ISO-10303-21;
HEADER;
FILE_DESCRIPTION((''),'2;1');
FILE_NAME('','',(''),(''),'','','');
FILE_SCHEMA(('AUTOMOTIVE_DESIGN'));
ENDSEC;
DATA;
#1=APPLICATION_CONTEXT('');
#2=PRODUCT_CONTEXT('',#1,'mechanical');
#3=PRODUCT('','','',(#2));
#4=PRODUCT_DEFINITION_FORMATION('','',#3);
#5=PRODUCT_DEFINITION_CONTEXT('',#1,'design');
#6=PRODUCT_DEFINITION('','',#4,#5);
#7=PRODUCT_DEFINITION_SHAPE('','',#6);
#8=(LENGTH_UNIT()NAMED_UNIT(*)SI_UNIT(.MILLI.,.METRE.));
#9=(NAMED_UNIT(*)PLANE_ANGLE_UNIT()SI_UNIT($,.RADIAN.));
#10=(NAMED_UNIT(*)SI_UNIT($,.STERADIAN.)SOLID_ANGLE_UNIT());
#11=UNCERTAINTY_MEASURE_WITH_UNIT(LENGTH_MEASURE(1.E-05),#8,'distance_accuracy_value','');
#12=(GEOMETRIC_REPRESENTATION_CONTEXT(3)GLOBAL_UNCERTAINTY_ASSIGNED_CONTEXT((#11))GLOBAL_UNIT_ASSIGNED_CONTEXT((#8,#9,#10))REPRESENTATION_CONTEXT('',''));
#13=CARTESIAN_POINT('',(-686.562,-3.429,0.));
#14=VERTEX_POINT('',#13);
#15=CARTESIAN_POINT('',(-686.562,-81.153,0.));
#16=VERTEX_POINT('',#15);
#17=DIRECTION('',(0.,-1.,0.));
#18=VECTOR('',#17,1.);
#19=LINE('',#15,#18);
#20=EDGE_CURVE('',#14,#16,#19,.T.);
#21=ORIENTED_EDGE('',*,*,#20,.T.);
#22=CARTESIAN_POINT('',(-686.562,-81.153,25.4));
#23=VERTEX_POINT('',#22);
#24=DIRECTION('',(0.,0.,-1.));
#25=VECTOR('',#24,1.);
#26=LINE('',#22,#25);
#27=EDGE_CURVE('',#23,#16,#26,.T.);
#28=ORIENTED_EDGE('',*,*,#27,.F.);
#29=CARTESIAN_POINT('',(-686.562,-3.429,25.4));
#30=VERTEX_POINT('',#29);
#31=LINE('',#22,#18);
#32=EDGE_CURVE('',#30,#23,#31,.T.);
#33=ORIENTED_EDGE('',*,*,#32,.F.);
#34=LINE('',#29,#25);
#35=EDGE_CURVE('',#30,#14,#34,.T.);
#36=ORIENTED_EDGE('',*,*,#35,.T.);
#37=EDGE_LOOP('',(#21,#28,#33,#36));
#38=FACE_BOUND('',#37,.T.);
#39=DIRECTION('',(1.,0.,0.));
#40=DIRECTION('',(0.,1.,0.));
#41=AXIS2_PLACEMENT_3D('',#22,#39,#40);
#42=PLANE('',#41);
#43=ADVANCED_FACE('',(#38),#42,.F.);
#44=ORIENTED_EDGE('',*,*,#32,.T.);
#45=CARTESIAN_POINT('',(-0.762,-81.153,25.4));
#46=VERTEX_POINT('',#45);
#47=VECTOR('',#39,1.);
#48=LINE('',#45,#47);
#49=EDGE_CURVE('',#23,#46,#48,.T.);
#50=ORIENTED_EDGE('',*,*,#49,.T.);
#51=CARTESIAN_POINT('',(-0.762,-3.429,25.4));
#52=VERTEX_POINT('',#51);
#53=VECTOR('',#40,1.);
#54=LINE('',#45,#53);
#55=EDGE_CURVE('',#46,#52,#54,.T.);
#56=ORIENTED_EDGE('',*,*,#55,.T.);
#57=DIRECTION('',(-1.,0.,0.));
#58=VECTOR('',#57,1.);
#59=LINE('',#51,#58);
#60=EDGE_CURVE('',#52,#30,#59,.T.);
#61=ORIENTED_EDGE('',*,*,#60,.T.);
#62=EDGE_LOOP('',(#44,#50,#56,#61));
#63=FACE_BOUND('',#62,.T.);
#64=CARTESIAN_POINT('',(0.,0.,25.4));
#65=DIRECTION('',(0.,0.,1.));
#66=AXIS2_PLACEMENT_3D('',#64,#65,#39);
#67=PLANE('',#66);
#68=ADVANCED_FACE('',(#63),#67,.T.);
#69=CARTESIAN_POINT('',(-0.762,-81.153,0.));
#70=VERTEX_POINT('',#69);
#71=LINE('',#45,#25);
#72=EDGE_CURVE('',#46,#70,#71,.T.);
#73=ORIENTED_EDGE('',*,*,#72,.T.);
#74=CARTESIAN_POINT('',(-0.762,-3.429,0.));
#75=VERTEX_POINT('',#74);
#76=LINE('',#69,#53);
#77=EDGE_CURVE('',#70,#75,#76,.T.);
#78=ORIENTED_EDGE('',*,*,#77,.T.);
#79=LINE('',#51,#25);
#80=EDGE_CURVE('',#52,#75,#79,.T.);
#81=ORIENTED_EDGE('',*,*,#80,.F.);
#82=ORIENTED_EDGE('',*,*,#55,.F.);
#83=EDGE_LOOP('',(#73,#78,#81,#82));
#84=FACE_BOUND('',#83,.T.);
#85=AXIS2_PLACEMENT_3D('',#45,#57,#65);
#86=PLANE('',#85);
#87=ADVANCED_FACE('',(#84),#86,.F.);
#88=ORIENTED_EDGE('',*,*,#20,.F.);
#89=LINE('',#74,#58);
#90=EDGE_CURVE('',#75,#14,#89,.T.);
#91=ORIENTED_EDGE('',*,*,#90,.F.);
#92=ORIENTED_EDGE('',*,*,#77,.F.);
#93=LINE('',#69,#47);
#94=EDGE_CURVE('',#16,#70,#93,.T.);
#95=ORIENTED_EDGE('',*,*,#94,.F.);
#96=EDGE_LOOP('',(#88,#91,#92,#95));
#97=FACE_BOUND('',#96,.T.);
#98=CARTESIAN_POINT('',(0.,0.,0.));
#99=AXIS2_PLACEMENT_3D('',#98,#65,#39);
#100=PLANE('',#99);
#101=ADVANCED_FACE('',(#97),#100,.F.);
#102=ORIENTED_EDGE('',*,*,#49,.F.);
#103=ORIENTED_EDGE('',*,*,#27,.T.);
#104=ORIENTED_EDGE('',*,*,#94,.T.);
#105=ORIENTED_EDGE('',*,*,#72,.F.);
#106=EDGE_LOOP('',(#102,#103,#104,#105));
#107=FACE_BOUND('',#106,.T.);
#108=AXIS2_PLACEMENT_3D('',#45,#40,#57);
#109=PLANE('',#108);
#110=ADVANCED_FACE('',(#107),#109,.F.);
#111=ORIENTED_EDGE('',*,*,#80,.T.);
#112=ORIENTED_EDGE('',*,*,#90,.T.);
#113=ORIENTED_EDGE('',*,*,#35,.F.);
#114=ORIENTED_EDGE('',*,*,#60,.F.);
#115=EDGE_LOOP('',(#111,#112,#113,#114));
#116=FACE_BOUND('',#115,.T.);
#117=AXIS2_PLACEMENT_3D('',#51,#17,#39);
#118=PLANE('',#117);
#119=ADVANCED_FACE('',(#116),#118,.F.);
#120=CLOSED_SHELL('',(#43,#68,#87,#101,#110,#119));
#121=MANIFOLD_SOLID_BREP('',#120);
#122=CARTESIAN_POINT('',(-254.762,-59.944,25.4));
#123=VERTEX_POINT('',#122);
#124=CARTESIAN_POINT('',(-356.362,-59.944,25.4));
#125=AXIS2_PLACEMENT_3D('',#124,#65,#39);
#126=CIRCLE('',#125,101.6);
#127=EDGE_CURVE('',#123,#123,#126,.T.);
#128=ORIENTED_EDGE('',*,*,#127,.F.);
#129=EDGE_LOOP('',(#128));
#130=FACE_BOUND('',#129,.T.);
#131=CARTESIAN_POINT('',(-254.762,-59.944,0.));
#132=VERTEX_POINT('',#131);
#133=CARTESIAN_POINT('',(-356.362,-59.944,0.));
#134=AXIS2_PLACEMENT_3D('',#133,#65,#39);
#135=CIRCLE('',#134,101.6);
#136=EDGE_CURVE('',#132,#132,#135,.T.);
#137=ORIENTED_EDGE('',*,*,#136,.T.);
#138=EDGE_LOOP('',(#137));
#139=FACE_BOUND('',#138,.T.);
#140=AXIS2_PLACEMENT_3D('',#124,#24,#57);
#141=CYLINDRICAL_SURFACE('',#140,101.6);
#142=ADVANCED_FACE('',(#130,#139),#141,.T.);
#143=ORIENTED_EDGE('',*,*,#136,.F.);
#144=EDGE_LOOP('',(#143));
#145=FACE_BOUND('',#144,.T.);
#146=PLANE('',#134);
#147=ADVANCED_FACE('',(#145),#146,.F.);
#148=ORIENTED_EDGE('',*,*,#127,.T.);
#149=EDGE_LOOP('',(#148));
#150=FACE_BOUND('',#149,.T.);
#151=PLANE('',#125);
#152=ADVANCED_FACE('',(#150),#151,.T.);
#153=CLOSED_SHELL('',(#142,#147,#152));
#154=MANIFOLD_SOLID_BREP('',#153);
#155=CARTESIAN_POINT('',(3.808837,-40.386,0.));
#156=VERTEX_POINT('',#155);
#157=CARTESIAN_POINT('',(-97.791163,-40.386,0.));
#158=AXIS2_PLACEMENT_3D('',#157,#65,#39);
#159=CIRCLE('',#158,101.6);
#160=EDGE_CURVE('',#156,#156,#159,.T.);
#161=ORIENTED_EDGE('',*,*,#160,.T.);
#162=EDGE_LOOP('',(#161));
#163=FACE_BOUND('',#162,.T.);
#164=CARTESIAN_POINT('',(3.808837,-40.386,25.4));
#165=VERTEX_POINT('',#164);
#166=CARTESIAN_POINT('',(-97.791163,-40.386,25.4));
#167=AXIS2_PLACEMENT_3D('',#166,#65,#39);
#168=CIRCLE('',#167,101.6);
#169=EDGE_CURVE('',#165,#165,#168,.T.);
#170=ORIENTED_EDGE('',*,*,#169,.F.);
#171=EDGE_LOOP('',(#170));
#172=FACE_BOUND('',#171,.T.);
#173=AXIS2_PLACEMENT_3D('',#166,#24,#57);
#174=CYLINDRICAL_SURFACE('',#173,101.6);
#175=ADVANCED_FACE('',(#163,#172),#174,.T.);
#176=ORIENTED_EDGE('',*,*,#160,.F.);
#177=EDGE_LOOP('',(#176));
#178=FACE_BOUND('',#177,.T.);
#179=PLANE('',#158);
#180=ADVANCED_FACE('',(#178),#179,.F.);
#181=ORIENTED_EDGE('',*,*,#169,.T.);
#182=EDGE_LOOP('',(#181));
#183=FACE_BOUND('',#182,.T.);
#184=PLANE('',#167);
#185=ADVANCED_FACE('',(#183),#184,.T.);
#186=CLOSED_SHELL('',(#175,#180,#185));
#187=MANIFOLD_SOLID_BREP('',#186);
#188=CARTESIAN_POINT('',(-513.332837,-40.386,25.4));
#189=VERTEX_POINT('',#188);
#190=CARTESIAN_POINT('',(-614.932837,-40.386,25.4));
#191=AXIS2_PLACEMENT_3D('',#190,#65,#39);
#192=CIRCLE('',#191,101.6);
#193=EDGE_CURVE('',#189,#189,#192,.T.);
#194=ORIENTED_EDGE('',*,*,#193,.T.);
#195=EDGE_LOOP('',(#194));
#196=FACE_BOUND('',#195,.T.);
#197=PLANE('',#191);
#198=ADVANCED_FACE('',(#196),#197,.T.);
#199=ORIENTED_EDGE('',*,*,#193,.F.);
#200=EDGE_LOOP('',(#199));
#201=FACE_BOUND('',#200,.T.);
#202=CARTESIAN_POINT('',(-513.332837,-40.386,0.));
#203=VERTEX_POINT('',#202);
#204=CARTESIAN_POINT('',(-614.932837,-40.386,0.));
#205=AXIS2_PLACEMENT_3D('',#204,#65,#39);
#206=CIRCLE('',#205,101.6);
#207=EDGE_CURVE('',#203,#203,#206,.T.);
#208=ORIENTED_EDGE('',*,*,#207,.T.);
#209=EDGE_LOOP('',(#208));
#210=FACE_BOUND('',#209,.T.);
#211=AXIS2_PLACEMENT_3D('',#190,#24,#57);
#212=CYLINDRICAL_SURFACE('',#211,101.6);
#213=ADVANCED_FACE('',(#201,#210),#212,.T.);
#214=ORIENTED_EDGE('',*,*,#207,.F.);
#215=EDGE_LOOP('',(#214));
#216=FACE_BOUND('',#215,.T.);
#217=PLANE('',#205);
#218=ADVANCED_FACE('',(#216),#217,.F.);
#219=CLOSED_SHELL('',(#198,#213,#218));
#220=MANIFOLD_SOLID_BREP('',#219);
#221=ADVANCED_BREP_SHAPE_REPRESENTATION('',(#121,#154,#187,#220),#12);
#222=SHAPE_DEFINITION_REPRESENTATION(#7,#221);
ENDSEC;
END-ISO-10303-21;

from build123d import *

# Parameters (mm, degrees)
SKETCH4_R             = 101.6
BOSS_EXTRUDE1_DEPTH   = 25.4
BOSS_EXTRUDE1_2_DEPTH = 25.4
BOSS_EXTRUDE1_3_DEPTH = 25.4
SKETCH5_W             = 685.8
SKETCH5_H             = 77.724
BOSS_EXTRUDE2_DEPTH   = 25.4


with BuildPart() as part:
    # Sketch4 → Boss-Extrude1 (new body)
    with BuildSketch(Plane.XY):
        with Locations((-97.791162832, -40.386)):
            Circle(SKETCH4_R)
    extrude(amount=BOSS_EXTRUDE1_DEPTH)


with BuildPart() as body_2:
    # Sketch4 → Boss-Extrude1 2 (new body)
    with BuildSketch(Plane.XY):
        with Locations((-356.362, -59.944)):
            Circle(SKETCH4_R)
    extrude(amount=BOSS_EXTRUDE1_2_DEPTH)


with BuildPart() as body_3:
    # Sketch4 → Boss-Extrude1 3 (new body)
    with BuildSketch(Plane.XY):
        with Locations((-614.932837168, -40.386)):
            Circle(SKETCH4_R)
    extrude(amount=BOSS_EXTRUDE1_3_DEPTH)


with BuildPart() as body_4:
    # Sketch5 → Boss-Extrude2 (new body)
    with BuildSketch(Plane.XY):
        with Locations((-343.662, -42.291)):
            Rectangle(SKETCH5_W, SKETCH5_H)
    extrude(amount=BOSS_EXTRUDE2_DEPTH)


solid = Compound([part.part, body_2.part, body_3.part, body_4.part])
